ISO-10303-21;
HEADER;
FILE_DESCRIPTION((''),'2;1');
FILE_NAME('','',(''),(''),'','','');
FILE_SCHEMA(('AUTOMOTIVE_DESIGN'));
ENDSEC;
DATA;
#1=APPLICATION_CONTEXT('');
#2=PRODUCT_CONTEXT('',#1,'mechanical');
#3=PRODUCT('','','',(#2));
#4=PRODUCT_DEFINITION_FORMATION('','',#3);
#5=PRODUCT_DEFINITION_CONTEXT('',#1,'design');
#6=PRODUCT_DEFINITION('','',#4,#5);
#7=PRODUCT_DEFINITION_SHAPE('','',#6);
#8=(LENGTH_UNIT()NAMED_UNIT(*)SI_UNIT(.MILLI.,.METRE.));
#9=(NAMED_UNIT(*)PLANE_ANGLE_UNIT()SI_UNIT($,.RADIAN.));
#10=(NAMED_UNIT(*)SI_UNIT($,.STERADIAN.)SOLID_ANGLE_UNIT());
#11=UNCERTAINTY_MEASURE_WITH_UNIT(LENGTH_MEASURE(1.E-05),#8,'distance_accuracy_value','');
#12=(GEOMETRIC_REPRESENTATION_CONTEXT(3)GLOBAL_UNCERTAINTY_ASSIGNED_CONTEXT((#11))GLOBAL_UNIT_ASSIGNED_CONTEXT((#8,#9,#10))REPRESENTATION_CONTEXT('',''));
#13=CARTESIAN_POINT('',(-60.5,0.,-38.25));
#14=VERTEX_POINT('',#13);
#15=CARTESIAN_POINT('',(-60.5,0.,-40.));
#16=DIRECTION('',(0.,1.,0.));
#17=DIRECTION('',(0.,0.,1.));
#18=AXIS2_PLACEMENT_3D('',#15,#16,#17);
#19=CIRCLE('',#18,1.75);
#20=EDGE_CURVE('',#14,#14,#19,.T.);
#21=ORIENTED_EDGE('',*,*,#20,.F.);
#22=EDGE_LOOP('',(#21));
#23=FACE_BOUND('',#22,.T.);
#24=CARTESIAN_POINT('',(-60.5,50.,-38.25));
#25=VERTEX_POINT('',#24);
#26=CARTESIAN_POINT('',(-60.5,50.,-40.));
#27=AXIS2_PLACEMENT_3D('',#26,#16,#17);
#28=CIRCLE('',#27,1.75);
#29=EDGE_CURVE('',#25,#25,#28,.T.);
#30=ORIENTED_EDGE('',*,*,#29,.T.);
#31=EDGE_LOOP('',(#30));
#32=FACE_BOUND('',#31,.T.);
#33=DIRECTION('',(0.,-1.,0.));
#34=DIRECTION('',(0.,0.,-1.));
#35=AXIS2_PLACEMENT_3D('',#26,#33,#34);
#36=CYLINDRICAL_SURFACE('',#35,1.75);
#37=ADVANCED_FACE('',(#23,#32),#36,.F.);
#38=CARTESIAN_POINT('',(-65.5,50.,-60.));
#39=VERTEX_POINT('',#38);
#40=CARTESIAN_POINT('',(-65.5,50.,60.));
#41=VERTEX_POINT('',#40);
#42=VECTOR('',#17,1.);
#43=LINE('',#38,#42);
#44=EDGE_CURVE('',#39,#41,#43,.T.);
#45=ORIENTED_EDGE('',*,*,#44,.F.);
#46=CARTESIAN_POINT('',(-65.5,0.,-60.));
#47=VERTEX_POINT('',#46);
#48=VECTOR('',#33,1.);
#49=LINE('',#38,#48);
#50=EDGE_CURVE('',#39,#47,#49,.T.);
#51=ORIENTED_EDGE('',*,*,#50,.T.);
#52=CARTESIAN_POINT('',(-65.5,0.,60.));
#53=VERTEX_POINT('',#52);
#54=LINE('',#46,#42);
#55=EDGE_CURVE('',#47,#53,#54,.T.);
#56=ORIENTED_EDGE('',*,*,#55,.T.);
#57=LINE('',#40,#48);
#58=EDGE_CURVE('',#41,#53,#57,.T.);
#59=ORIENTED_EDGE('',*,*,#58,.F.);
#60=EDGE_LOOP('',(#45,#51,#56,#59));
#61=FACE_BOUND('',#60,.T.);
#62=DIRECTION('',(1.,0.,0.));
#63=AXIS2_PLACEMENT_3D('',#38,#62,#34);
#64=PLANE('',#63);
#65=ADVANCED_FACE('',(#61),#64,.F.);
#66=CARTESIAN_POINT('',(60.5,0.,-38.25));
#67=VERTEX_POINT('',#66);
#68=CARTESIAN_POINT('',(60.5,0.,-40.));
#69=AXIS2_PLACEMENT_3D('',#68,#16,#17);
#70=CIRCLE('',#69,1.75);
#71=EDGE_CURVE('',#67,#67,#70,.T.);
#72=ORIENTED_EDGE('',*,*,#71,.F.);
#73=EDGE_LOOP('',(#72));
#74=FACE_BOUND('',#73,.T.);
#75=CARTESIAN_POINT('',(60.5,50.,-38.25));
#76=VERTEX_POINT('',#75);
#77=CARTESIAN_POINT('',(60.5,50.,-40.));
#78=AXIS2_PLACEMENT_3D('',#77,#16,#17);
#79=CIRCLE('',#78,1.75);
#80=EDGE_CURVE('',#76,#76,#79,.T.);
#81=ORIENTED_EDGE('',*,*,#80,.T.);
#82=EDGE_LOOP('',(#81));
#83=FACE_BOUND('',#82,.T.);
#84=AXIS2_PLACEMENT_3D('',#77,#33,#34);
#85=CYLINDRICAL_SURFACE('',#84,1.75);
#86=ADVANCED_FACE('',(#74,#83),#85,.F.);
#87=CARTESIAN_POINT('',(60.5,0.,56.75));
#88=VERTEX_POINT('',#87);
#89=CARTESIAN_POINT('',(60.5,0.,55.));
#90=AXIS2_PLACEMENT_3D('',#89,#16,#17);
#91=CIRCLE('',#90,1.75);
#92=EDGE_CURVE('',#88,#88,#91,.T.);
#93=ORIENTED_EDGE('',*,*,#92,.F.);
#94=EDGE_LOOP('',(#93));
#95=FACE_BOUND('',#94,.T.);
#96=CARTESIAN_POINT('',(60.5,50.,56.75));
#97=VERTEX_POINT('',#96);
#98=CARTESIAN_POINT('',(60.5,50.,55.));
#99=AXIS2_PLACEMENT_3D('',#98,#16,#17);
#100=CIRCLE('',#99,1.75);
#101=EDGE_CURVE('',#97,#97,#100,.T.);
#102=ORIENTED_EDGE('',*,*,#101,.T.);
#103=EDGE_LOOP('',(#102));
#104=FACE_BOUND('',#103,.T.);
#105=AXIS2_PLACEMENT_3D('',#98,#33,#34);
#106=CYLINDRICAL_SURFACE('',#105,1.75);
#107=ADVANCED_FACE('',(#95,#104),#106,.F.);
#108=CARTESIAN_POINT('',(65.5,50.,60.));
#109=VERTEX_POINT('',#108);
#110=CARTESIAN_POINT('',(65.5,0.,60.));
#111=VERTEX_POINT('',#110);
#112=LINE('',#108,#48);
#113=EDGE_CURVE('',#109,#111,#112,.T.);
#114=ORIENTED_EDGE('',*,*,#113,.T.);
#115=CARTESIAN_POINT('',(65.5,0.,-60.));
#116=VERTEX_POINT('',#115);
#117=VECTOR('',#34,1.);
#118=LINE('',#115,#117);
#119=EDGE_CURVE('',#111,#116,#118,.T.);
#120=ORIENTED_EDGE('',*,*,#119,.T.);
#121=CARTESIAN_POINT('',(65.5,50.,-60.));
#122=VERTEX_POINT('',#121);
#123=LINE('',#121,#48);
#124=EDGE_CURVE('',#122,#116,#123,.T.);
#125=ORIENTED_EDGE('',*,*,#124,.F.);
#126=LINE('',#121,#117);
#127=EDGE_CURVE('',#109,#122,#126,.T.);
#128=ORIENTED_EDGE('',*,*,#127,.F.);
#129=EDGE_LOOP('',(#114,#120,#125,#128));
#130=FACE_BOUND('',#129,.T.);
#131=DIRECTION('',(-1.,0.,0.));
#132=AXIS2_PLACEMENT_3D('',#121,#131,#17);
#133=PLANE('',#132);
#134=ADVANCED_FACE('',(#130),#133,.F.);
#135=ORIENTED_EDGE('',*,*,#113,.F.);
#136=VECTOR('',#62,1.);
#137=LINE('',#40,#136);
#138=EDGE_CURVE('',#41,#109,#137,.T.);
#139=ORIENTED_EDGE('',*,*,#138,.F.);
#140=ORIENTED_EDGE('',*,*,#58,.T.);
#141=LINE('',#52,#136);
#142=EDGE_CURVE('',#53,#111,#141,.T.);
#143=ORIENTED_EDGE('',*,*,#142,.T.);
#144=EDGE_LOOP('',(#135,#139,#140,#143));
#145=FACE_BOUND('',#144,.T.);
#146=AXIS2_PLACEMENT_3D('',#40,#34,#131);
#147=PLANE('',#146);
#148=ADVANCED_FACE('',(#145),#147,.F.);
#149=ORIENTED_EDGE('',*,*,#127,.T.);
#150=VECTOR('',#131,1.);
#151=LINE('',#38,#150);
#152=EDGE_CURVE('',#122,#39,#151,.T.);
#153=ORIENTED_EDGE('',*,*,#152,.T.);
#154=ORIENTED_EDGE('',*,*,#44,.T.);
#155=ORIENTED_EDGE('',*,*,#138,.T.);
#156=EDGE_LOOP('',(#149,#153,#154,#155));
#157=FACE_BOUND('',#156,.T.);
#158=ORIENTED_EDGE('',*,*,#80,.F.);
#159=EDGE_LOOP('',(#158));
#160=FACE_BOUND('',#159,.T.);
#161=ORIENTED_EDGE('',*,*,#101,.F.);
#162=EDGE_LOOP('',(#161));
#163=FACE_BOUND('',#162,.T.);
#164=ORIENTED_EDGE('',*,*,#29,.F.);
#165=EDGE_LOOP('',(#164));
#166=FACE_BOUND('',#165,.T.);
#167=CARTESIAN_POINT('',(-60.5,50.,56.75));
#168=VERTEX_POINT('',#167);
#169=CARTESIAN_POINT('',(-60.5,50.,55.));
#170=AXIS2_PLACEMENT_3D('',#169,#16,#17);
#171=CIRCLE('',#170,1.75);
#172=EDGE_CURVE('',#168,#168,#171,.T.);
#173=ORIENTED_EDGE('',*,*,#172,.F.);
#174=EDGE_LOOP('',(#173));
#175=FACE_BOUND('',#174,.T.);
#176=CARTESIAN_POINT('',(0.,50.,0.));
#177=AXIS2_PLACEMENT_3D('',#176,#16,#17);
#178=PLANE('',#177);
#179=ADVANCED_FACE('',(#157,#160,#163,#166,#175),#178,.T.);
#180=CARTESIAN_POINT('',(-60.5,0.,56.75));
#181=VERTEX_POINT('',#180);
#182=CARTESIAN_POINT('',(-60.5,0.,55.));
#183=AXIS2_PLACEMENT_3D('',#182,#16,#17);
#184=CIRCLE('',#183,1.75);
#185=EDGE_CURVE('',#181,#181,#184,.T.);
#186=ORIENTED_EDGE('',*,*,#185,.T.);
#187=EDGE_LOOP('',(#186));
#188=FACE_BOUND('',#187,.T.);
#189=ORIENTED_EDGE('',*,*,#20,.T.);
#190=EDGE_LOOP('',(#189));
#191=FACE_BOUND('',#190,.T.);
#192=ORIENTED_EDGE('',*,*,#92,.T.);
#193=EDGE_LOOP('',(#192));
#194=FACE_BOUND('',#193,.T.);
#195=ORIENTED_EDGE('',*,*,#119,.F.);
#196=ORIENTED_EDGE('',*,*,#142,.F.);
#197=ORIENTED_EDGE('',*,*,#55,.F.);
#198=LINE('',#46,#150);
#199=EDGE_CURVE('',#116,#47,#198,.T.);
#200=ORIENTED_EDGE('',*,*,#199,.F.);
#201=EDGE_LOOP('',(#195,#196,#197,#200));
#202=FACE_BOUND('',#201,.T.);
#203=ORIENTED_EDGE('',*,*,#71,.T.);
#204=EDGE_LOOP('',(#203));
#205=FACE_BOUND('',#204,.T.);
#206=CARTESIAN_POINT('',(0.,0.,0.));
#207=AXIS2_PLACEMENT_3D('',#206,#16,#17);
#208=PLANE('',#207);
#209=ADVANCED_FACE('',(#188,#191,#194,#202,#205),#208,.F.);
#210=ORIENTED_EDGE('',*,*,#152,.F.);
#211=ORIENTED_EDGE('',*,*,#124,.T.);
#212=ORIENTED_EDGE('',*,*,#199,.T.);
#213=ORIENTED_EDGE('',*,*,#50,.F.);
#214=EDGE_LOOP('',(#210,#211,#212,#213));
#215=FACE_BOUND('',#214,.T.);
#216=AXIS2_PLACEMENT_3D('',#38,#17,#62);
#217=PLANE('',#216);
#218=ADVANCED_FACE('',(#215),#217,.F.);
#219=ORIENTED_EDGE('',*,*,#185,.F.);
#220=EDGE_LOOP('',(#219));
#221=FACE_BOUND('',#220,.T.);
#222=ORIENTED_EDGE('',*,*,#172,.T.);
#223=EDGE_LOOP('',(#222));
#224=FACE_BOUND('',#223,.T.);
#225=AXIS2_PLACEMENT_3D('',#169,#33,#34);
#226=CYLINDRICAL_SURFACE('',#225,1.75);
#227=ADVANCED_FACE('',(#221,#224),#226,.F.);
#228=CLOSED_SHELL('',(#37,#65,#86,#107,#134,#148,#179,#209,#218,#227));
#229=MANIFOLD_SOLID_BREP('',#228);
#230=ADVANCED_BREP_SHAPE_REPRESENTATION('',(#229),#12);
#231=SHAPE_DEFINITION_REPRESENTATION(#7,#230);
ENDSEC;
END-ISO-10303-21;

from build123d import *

# Parameters (mm, degrees)
SKETCH1_W           = 131
SKETCH1_H           = 120
SKETCH1_R           = 1.75
BOSS_EXTRUDE1_DEPTH = 50


with BuildPart() as part:
    # Sketch1 → Boss-Extrude1 (new body)
    with BuildSketch(Plane(origin=(0, 0, 0), x_dir=(1, 0, 0), z_dir=(0, 1, 0))):
        Rectangle(SKETCH1_W, SKETCH1_H)
        with Locations(Location((-60.5, -55, 0), (0, 0, 270))):
            Circle(SKETCH1_R, mode=Mode.SUBTRACT)
        with Locations(Location((60.5, -55, 0), (0, 0, 270))):
            Circle(SKETCH1_R, mode=Mode.SUBTRACT)
        with Locations(Location((60.5, 40, 0), (0, 0, 270))):
            Circle(SKETCH1_R, mode=Mode.SUBTRACT)
        with Locations(Location((-60.5, 40, 0), (0, 0, 270))):
            Circle(SKETCH1_R, mode=Mode.SUBTRACT)
    extrude(amount=BOSS_EXTRUDE1_DEPTH)


solid = part.part
